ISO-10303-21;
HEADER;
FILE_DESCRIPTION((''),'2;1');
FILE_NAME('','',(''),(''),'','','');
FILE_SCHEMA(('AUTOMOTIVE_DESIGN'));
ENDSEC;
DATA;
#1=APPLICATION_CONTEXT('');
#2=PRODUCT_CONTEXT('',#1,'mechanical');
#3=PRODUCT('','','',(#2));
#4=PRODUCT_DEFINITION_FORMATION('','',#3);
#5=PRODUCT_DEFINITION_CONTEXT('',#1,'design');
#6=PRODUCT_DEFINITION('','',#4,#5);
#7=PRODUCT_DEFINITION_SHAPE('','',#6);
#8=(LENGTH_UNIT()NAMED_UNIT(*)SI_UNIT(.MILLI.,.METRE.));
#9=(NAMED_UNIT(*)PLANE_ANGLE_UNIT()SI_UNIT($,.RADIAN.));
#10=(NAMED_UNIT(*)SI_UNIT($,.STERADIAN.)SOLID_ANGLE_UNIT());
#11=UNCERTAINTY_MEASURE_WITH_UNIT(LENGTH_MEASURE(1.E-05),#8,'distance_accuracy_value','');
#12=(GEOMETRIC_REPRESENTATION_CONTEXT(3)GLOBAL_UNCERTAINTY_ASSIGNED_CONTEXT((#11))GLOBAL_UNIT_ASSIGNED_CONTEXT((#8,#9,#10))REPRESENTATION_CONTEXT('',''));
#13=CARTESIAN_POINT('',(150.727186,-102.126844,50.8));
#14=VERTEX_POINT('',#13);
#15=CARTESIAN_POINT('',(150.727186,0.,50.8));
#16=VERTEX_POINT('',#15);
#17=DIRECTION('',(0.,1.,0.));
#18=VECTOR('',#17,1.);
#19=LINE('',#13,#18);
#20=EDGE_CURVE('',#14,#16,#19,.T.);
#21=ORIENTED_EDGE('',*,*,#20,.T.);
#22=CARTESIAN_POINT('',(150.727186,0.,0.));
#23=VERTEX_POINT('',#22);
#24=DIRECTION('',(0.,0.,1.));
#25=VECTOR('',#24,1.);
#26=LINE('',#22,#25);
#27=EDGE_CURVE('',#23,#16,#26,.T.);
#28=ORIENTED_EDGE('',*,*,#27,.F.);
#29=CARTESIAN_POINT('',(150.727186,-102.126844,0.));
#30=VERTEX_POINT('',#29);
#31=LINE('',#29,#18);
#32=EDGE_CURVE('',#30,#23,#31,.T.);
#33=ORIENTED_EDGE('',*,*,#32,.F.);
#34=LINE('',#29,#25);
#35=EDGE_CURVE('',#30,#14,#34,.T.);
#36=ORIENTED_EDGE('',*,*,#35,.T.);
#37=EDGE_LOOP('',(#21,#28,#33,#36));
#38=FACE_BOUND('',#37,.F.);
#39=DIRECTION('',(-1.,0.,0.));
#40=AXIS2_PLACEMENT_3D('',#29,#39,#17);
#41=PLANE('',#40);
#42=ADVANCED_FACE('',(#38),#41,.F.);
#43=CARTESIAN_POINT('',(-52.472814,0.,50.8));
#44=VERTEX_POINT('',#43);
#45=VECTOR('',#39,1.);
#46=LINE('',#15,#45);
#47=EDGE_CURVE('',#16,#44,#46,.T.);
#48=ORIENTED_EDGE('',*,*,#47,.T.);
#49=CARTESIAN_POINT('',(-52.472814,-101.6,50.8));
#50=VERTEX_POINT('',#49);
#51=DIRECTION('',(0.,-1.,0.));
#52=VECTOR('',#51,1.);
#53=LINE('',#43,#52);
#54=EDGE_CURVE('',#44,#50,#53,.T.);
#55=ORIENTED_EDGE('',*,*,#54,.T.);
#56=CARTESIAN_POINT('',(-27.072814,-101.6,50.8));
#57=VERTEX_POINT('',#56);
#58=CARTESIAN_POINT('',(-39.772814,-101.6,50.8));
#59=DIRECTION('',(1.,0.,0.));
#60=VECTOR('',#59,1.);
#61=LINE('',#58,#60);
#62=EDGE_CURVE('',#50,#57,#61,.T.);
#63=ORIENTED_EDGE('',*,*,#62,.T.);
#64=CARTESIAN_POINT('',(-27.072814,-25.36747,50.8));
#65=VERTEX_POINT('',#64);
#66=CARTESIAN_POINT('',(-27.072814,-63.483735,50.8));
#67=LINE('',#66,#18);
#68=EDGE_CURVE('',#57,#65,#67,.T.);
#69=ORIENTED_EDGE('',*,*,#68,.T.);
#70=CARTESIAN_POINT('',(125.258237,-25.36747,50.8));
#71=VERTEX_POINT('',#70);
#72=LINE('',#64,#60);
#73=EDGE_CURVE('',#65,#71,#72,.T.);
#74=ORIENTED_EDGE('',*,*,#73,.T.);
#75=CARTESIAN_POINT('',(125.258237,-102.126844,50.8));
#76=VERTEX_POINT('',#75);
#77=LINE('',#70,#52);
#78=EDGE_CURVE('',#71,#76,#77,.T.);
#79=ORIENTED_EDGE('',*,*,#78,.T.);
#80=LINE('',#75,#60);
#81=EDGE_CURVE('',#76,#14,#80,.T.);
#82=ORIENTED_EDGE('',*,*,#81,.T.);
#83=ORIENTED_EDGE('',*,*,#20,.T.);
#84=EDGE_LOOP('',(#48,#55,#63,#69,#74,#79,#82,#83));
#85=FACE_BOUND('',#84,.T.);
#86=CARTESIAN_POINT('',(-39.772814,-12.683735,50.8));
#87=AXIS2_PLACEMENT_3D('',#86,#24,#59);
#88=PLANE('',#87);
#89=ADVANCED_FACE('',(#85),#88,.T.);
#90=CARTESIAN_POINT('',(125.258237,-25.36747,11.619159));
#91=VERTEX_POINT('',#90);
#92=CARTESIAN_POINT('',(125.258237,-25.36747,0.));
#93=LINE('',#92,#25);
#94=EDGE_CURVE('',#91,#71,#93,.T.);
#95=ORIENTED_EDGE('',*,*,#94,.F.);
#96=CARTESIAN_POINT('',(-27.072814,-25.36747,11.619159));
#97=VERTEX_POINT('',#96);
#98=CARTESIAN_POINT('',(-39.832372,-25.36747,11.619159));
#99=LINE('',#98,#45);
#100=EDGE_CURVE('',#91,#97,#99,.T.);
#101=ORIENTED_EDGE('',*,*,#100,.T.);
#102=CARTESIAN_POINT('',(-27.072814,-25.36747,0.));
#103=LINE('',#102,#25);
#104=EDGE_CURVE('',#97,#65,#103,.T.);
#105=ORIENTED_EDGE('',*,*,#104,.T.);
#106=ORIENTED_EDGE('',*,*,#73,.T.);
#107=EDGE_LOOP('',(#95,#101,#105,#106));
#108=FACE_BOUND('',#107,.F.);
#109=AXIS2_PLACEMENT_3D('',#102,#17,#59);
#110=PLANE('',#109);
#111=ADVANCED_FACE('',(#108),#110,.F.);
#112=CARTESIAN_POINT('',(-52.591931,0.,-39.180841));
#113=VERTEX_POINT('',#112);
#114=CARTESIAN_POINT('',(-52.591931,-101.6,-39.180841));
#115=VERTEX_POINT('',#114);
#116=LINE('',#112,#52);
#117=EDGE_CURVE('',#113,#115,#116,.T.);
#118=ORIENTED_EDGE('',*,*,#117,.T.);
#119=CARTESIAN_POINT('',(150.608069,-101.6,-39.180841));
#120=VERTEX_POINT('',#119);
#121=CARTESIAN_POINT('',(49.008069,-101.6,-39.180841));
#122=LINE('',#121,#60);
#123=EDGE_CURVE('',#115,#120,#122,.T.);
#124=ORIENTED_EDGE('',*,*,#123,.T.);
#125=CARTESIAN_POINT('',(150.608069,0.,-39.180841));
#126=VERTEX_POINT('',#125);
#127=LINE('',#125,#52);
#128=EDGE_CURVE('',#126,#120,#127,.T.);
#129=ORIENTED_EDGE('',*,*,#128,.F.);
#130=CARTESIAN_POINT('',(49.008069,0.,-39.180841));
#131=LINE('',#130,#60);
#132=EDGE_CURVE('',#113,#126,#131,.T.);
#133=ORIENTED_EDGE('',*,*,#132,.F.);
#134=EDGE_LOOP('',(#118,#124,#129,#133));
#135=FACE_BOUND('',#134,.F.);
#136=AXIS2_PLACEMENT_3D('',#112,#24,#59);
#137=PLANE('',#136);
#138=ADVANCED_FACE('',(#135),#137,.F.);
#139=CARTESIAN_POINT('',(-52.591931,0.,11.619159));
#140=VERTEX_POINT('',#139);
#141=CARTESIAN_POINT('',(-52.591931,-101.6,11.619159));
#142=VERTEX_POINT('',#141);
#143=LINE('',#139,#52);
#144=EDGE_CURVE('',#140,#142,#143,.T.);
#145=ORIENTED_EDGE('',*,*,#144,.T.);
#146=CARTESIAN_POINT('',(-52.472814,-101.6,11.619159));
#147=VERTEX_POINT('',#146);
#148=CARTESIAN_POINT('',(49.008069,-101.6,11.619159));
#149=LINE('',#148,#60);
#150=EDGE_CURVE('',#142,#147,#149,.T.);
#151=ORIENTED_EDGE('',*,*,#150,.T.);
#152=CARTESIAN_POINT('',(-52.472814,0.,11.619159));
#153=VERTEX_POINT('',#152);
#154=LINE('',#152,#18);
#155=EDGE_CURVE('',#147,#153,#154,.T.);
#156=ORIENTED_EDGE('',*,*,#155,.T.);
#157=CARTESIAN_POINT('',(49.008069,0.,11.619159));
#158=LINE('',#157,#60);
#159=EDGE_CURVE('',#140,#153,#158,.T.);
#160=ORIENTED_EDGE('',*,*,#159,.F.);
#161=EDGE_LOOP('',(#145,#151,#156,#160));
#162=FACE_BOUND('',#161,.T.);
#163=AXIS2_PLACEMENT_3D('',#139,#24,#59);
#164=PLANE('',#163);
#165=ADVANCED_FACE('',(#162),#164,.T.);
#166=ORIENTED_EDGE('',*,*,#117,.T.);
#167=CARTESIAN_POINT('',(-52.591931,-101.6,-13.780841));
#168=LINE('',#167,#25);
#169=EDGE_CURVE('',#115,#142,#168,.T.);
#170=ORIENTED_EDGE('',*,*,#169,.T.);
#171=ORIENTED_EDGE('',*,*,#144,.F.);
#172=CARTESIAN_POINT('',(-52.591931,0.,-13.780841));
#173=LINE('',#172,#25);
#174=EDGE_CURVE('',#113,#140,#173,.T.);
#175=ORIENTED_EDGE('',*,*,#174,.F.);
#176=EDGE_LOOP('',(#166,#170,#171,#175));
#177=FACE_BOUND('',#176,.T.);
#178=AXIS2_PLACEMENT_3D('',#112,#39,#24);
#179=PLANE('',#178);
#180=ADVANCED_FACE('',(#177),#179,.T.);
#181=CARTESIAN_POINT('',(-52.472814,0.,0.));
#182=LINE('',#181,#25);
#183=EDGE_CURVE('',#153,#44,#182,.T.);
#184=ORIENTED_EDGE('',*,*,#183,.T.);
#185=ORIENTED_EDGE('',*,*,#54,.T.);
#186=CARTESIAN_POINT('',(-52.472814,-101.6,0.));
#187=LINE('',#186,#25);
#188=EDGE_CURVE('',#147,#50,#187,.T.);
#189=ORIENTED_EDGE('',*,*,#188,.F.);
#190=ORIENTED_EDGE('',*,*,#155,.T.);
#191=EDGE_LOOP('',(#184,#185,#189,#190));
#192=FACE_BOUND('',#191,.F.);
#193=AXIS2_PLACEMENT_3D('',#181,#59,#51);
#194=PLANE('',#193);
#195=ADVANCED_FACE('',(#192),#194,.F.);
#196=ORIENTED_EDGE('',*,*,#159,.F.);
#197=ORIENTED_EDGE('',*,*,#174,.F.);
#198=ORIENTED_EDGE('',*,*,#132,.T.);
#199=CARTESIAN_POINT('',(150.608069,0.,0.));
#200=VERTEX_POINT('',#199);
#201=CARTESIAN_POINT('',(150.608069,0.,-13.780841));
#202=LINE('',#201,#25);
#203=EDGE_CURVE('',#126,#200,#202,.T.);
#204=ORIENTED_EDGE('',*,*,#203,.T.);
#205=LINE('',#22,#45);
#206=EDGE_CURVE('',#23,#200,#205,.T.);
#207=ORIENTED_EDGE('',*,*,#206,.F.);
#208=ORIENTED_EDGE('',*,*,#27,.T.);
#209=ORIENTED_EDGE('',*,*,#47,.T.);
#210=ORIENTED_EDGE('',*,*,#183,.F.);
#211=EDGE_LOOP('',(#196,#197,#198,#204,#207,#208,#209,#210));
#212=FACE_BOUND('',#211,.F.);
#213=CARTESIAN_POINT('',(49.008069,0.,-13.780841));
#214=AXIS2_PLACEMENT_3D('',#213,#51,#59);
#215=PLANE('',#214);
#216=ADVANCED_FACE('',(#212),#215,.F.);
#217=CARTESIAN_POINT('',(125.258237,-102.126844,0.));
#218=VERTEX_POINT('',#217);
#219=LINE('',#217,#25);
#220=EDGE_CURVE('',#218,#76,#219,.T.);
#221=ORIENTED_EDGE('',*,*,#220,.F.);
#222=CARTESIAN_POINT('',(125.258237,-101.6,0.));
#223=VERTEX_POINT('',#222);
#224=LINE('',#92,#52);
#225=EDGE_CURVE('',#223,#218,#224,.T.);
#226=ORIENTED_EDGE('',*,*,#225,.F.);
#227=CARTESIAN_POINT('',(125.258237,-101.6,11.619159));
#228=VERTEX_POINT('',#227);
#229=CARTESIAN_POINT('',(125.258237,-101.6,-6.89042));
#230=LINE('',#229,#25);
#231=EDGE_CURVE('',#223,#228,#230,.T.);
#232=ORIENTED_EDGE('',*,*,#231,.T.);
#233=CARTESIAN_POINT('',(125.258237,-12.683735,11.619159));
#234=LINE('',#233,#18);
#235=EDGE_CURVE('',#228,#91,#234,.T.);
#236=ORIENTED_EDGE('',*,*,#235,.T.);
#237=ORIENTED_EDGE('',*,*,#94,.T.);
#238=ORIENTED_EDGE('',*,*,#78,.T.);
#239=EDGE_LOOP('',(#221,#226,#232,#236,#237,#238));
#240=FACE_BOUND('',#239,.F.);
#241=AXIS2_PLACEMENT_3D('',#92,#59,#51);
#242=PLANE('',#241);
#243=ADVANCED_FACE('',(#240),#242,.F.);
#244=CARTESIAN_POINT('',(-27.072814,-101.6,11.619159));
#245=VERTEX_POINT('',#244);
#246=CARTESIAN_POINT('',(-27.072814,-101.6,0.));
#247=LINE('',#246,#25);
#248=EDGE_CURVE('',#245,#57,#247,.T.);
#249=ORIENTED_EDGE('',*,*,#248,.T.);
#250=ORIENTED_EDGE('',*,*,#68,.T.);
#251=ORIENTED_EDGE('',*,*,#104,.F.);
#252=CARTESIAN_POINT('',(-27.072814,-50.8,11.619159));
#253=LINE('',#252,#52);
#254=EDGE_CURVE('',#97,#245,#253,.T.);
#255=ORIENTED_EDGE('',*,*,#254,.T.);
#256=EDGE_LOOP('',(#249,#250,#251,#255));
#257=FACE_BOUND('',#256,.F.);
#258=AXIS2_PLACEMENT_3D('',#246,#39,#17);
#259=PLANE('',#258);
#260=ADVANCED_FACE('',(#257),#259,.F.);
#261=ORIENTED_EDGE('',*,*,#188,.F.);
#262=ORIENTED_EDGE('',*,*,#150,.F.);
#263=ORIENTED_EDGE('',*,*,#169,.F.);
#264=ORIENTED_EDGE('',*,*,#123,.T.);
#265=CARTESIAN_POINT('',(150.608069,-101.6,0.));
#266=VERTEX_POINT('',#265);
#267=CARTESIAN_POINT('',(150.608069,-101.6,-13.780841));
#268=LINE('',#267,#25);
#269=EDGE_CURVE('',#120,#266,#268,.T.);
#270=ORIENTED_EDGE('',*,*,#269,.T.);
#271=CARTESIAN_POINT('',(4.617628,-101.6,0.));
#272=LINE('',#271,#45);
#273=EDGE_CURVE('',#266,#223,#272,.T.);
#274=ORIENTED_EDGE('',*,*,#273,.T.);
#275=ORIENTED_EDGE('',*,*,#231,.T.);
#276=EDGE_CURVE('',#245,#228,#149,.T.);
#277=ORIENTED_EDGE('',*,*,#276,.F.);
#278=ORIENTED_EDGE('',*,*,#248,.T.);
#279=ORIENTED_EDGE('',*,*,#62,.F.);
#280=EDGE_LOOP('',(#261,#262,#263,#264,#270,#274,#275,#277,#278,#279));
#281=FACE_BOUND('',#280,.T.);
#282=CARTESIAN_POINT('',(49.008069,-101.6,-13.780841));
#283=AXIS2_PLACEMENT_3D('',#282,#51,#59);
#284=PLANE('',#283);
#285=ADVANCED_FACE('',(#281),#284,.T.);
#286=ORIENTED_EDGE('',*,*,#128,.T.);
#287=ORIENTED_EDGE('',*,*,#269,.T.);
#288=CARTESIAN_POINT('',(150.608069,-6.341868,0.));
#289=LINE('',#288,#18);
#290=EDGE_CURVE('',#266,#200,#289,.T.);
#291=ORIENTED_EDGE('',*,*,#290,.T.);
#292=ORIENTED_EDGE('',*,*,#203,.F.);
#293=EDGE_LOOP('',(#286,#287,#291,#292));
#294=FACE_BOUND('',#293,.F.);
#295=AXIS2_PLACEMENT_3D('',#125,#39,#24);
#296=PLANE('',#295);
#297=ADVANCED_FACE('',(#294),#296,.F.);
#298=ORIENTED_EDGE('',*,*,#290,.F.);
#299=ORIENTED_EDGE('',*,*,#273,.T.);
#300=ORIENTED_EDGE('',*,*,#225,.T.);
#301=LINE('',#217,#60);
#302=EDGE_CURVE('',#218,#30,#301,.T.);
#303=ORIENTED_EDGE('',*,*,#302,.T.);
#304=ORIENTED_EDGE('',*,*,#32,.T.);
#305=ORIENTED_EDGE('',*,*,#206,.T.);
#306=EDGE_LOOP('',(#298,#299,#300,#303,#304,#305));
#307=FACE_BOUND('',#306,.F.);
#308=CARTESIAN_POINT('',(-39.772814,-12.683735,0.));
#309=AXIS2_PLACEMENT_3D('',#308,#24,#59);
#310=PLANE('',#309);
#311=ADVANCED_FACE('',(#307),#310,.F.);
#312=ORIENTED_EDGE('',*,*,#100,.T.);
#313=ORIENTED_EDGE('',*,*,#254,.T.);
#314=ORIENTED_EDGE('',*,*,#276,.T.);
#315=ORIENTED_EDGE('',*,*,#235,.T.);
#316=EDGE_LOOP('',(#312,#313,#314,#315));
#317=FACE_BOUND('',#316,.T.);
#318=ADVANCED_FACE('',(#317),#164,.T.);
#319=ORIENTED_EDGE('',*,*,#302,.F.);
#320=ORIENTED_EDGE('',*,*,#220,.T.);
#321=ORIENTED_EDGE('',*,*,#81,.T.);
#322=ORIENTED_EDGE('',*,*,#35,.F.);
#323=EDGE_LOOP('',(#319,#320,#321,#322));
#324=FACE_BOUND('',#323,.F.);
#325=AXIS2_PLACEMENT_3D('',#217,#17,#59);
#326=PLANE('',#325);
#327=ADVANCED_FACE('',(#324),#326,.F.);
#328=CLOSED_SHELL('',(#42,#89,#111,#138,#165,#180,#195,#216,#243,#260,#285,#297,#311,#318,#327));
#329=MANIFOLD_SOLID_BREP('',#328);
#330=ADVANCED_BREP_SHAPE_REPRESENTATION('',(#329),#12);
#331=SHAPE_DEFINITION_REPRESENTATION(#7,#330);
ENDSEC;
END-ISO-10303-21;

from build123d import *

# Parameters (mm, degrees)
F0_W     = 203.2
F0_H     = 50.8
F1_DEPTH = 101.6
F2_W     = 25.4
F2_H     = 25.3674704581
F2_W_2   = 152.3310508887
F2_H_2   = 76.2325295419
F2_W_3   = 0.2561658621
F2_W_4   = 25.2127832492
F2_H_3   = 0.0325295419
F3_DEPTH = 50.8


with BuildPart() as f1:
    # F0 (on Front) → F1 (new body)
    with BuildSketch(Plane.XZ):
        with Locations((49.0080691226, -13.7808406726)):
            Rectangle(F0_W, F0_H)
    extrude(amount=F1_DEPTH)

    # F2 (on Top) → F3 (join)
    with BuildSketch(Plane.XY):
        with Locations((-39.7728137652, -12.6837352291)):
            Rectangle(F2_W, F2_H)
        with Locations((49.0927116791, -12.6837352291)):
            Rectangle(F2_W_2, F2_H)
        with Locations((-39.7728137652, -63.4837352291)):
            Rectangle(F2_W, F2_H_2)
        with Locations((125.3863200545, -12.6837352291)):
            Rectangle(F2_W_3, F2_H)
        Polygon((125.5144029856, -25.3674704581), (125.2582371235, -25.3674704581), (125.2582371235, -102.1268442273), (150.7271862348, -102.1268442273), (150.7271862348, -25.4), (125.5144029856, -25.4), align=None)
        with Locations((138.1207946102, -12.6837352291)):
            Rectangle(F2_W_4, F2_H)
        with Locations((138.1207946102, -25.3837352291)):
            Rectangle(F2_W_4, F2_H_3)
    extrude(amount=F3_DEPTH)


solid = f1.part
